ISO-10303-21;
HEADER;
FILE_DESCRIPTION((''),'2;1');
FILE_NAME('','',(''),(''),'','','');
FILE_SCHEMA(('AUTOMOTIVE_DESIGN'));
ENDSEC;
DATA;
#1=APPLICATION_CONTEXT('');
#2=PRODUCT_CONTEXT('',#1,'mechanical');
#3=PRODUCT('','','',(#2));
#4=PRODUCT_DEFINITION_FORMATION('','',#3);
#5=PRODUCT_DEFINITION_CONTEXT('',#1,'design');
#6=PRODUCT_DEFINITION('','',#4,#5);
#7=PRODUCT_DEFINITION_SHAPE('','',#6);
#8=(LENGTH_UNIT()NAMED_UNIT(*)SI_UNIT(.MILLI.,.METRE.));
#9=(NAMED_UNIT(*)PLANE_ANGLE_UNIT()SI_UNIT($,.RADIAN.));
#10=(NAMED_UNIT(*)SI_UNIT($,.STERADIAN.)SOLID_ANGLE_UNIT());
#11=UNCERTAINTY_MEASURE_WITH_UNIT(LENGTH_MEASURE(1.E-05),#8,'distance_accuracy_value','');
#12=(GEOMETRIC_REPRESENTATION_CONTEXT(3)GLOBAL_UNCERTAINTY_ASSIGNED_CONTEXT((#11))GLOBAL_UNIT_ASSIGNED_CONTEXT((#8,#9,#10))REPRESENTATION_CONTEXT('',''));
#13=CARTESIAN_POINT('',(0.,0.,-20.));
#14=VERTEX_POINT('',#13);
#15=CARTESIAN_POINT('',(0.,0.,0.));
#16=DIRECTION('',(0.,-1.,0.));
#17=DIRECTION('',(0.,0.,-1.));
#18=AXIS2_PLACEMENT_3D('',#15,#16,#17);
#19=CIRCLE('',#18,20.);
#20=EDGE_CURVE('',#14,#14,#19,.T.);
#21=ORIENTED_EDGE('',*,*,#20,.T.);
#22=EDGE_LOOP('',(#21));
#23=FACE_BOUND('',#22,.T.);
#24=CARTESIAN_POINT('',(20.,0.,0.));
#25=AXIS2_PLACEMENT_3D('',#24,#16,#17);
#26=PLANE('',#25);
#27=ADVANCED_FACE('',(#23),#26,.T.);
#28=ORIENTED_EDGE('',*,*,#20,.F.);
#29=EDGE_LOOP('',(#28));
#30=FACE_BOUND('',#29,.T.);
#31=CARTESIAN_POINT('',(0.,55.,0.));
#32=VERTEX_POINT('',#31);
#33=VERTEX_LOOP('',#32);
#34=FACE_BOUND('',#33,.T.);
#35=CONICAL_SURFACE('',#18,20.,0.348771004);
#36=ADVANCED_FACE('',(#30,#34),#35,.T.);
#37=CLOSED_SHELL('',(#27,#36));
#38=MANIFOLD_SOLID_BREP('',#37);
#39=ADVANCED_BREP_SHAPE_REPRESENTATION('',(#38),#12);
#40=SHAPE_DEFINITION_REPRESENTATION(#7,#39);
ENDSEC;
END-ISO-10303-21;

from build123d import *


with BuildPart() as part:
    # Sketch1 → Revolve1 (revolve)
    with BuildSketch(Plane.XY, mode=Mode.PRIVATE) as revolve1_sk:
        Polygon((0, 0), (0, 55), (20, 0), align=None)
    revolve(revolve1_sk.sketch.rotate(Axis((0, 0, 0), (0, 1, 0)), 90), axis=Axis((0, 0, 0), (0, 1, 0)))


solid = part.part
